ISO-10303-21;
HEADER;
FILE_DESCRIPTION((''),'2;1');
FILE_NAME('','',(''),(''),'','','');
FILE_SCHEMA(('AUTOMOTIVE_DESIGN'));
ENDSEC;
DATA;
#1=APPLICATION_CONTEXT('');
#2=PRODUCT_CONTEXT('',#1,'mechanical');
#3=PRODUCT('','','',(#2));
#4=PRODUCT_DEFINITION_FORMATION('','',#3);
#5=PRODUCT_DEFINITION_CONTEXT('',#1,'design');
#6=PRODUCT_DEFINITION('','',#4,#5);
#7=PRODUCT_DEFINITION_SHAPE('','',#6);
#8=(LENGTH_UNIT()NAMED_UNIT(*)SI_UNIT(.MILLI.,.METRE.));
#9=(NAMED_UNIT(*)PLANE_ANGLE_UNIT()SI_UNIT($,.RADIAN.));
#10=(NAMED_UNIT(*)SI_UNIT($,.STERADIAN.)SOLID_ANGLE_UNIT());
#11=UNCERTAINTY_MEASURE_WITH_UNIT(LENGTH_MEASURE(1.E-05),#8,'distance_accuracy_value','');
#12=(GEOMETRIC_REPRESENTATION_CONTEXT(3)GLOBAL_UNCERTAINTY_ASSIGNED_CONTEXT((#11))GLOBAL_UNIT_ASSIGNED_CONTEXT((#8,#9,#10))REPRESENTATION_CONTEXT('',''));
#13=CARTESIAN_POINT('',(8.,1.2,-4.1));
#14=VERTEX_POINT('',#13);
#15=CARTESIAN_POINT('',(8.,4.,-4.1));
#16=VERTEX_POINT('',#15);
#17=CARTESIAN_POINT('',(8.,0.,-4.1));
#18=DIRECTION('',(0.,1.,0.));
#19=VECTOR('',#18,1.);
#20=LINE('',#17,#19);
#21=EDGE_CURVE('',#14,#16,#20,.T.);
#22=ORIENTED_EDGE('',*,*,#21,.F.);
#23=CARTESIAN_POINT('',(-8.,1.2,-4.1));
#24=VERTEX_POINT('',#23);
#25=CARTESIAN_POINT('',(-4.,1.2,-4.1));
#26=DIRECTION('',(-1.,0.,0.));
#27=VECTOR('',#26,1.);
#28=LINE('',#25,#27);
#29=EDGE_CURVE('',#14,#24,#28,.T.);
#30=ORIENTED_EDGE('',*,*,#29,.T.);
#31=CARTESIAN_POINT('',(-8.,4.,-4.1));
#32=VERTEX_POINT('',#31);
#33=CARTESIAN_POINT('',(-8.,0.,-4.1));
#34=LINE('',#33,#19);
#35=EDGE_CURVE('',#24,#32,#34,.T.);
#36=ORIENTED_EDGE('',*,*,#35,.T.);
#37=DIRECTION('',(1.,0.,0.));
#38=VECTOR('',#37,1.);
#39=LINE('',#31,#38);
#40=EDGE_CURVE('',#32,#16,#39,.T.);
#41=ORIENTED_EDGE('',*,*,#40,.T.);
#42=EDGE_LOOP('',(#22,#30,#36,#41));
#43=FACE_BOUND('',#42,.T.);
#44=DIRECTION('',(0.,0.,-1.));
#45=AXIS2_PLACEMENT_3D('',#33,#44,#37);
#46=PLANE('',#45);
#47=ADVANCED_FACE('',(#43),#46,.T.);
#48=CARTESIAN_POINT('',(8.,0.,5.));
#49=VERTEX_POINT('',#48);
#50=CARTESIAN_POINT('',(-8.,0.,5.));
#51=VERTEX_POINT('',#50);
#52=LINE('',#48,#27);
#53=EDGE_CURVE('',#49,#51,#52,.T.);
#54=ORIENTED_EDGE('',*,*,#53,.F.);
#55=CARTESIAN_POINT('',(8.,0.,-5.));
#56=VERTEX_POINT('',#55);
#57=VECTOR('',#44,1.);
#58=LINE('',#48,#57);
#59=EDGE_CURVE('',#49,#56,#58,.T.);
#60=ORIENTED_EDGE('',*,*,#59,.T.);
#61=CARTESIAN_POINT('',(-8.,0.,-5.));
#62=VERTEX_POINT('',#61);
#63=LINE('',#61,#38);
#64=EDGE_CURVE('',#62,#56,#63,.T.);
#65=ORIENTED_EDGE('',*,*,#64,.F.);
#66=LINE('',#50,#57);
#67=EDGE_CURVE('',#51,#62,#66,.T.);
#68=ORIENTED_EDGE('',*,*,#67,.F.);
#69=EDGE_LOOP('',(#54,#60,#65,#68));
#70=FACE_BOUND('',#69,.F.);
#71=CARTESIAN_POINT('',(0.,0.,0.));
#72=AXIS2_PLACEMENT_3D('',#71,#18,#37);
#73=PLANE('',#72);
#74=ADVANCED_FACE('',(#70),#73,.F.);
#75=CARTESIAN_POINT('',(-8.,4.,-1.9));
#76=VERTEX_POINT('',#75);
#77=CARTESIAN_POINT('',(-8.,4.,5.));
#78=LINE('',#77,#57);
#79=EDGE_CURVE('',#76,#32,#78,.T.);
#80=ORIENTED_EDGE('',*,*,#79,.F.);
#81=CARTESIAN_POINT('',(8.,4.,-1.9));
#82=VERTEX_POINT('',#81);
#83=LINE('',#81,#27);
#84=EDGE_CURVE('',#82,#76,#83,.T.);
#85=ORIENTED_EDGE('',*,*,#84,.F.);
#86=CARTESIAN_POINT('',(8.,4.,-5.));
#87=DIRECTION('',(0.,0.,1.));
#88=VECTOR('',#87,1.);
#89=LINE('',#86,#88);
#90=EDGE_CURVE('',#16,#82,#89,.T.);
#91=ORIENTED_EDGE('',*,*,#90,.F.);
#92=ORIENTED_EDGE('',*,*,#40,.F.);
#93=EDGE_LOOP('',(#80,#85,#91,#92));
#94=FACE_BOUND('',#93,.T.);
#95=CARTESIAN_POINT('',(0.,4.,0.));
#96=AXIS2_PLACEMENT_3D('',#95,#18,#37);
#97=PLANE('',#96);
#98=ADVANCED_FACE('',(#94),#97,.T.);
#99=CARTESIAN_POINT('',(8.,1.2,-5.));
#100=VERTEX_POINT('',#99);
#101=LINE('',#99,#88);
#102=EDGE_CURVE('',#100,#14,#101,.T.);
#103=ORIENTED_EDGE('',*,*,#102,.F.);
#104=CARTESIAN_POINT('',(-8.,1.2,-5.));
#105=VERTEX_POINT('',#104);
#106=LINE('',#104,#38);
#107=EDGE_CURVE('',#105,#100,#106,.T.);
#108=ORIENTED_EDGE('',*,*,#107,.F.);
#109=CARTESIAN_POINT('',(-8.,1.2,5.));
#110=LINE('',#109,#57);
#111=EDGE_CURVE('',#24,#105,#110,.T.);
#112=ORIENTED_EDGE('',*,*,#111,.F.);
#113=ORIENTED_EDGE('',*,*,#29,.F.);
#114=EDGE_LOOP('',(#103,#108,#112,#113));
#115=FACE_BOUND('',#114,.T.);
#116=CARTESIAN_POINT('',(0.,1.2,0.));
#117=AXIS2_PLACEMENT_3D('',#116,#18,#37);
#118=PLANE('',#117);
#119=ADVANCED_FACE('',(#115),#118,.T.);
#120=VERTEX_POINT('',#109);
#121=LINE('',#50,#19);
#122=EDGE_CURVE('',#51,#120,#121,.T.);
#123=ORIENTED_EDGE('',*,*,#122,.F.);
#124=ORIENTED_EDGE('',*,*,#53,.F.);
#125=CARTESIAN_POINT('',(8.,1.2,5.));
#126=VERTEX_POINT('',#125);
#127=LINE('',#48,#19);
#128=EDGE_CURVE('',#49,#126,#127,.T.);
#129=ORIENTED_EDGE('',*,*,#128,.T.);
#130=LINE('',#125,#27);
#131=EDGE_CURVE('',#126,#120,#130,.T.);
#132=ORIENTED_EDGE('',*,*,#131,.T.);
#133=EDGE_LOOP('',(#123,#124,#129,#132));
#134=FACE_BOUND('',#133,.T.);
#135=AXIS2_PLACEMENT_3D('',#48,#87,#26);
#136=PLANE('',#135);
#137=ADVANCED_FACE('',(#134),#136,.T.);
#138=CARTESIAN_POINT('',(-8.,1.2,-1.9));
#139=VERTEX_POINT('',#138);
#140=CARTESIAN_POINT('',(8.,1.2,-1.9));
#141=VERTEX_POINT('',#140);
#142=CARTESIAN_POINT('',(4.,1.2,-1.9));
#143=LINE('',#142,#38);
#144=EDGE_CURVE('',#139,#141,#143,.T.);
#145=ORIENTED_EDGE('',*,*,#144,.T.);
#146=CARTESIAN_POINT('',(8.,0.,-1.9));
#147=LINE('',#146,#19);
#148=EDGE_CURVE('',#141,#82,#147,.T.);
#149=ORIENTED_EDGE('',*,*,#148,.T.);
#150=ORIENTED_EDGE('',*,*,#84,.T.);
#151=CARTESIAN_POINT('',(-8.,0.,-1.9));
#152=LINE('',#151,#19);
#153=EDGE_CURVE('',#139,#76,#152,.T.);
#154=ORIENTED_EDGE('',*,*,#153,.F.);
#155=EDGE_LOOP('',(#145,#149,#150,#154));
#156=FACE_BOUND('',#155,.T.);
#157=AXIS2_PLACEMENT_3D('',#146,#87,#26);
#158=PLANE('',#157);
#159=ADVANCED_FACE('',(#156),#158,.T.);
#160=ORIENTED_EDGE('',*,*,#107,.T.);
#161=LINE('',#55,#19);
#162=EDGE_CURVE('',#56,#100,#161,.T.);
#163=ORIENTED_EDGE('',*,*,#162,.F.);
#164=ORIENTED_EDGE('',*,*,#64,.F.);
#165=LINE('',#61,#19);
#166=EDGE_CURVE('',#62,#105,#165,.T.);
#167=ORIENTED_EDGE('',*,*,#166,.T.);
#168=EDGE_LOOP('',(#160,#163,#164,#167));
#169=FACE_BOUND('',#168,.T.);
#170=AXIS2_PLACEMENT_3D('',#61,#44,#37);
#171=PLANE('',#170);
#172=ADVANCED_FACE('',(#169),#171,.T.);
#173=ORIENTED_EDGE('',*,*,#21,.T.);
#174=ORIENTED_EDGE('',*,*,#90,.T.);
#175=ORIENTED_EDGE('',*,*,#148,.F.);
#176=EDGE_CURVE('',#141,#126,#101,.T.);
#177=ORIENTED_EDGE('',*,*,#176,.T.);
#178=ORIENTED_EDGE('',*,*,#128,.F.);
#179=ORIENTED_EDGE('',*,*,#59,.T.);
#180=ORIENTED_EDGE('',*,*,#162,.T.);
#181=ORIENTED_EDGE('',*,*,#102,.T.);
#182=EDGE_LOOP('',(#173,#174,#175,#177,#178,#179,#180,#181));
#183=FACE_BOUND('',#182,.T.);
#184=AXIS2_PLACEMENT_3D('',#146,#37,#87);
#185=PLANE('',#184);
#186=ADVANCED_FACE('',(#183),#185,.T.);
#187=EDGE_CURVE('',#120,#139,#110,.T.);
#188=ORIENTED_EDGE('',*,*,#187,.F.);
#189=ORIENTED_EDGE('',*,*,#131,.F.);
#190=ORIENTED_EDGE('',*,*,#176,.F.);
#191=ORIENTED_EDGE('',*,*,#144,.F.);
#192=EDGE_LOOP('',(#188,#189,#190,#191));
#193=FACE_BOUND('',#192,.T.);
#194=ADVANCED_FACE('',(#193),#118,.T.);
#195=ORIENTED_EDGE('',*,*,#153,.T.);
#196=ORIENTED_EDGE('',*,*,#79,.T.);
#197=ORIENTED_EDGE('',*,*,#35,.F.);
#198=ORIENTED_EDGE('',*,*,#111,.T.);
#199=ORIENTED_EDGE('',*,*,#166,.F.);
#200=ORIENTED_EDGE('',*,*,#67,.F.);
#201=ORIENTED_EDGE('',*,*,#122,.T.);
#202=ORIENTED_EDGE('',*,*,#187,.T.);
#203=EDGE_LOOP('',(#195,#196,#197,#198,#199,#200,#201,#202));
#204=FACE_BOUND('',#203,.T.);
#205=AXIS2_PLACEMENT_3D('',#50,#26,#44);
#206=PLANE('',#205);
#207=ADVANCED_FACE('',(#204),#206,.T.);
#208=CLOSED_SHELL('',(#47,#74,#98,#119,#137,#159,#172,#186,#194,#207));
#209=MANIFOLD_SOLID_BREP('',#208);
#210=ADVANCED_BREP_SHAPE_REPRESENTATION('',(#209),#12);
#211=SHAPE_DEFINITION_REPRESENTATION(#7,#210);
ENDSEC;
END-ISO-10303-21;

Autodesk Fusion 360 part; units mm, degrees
sketch "Sketch1" plane through (0, 0, 0) normal (0, 1, 0) x (1, 0, 0)
  line L0 (8, -5) -> (-8, -5)
  line L1 (-8, -5) -> (-8, 5)
  line L2 (-8, 5) -> (8, 5)
  line L3 (8, 5) -> (8, -5)
  line L4 (8, -5) -> (-8, 5) construction
  line L5 (-8, -5) -> (8, 5) construction
  line L6 (8, 1.9) -> (-8, 1.9)
  line L7 (-8, 1.9) -> (-8, 4.1)
  line L8 (-8, 4.1) -> (8, 4.1)
  line L9 (8, 4.1) -> (8, 1.9)
  line L10 (8, 1.9) -> (-8, 4.1) construction
  line L11 (-8, 1.9) -> (8, 4.1) construction
  point P0 (0, 3)
  dimension "d1" = 16
  dimension "d2" = 10
  dimension "d3" = 2.2
extrude "Extrude1" add sketch "Sketch1" along normal blind 1.2
extrude "Extrude2" add sketch "Sketch1" along normal blind 4 contours L1 L3 L6 L7 L8 L9
